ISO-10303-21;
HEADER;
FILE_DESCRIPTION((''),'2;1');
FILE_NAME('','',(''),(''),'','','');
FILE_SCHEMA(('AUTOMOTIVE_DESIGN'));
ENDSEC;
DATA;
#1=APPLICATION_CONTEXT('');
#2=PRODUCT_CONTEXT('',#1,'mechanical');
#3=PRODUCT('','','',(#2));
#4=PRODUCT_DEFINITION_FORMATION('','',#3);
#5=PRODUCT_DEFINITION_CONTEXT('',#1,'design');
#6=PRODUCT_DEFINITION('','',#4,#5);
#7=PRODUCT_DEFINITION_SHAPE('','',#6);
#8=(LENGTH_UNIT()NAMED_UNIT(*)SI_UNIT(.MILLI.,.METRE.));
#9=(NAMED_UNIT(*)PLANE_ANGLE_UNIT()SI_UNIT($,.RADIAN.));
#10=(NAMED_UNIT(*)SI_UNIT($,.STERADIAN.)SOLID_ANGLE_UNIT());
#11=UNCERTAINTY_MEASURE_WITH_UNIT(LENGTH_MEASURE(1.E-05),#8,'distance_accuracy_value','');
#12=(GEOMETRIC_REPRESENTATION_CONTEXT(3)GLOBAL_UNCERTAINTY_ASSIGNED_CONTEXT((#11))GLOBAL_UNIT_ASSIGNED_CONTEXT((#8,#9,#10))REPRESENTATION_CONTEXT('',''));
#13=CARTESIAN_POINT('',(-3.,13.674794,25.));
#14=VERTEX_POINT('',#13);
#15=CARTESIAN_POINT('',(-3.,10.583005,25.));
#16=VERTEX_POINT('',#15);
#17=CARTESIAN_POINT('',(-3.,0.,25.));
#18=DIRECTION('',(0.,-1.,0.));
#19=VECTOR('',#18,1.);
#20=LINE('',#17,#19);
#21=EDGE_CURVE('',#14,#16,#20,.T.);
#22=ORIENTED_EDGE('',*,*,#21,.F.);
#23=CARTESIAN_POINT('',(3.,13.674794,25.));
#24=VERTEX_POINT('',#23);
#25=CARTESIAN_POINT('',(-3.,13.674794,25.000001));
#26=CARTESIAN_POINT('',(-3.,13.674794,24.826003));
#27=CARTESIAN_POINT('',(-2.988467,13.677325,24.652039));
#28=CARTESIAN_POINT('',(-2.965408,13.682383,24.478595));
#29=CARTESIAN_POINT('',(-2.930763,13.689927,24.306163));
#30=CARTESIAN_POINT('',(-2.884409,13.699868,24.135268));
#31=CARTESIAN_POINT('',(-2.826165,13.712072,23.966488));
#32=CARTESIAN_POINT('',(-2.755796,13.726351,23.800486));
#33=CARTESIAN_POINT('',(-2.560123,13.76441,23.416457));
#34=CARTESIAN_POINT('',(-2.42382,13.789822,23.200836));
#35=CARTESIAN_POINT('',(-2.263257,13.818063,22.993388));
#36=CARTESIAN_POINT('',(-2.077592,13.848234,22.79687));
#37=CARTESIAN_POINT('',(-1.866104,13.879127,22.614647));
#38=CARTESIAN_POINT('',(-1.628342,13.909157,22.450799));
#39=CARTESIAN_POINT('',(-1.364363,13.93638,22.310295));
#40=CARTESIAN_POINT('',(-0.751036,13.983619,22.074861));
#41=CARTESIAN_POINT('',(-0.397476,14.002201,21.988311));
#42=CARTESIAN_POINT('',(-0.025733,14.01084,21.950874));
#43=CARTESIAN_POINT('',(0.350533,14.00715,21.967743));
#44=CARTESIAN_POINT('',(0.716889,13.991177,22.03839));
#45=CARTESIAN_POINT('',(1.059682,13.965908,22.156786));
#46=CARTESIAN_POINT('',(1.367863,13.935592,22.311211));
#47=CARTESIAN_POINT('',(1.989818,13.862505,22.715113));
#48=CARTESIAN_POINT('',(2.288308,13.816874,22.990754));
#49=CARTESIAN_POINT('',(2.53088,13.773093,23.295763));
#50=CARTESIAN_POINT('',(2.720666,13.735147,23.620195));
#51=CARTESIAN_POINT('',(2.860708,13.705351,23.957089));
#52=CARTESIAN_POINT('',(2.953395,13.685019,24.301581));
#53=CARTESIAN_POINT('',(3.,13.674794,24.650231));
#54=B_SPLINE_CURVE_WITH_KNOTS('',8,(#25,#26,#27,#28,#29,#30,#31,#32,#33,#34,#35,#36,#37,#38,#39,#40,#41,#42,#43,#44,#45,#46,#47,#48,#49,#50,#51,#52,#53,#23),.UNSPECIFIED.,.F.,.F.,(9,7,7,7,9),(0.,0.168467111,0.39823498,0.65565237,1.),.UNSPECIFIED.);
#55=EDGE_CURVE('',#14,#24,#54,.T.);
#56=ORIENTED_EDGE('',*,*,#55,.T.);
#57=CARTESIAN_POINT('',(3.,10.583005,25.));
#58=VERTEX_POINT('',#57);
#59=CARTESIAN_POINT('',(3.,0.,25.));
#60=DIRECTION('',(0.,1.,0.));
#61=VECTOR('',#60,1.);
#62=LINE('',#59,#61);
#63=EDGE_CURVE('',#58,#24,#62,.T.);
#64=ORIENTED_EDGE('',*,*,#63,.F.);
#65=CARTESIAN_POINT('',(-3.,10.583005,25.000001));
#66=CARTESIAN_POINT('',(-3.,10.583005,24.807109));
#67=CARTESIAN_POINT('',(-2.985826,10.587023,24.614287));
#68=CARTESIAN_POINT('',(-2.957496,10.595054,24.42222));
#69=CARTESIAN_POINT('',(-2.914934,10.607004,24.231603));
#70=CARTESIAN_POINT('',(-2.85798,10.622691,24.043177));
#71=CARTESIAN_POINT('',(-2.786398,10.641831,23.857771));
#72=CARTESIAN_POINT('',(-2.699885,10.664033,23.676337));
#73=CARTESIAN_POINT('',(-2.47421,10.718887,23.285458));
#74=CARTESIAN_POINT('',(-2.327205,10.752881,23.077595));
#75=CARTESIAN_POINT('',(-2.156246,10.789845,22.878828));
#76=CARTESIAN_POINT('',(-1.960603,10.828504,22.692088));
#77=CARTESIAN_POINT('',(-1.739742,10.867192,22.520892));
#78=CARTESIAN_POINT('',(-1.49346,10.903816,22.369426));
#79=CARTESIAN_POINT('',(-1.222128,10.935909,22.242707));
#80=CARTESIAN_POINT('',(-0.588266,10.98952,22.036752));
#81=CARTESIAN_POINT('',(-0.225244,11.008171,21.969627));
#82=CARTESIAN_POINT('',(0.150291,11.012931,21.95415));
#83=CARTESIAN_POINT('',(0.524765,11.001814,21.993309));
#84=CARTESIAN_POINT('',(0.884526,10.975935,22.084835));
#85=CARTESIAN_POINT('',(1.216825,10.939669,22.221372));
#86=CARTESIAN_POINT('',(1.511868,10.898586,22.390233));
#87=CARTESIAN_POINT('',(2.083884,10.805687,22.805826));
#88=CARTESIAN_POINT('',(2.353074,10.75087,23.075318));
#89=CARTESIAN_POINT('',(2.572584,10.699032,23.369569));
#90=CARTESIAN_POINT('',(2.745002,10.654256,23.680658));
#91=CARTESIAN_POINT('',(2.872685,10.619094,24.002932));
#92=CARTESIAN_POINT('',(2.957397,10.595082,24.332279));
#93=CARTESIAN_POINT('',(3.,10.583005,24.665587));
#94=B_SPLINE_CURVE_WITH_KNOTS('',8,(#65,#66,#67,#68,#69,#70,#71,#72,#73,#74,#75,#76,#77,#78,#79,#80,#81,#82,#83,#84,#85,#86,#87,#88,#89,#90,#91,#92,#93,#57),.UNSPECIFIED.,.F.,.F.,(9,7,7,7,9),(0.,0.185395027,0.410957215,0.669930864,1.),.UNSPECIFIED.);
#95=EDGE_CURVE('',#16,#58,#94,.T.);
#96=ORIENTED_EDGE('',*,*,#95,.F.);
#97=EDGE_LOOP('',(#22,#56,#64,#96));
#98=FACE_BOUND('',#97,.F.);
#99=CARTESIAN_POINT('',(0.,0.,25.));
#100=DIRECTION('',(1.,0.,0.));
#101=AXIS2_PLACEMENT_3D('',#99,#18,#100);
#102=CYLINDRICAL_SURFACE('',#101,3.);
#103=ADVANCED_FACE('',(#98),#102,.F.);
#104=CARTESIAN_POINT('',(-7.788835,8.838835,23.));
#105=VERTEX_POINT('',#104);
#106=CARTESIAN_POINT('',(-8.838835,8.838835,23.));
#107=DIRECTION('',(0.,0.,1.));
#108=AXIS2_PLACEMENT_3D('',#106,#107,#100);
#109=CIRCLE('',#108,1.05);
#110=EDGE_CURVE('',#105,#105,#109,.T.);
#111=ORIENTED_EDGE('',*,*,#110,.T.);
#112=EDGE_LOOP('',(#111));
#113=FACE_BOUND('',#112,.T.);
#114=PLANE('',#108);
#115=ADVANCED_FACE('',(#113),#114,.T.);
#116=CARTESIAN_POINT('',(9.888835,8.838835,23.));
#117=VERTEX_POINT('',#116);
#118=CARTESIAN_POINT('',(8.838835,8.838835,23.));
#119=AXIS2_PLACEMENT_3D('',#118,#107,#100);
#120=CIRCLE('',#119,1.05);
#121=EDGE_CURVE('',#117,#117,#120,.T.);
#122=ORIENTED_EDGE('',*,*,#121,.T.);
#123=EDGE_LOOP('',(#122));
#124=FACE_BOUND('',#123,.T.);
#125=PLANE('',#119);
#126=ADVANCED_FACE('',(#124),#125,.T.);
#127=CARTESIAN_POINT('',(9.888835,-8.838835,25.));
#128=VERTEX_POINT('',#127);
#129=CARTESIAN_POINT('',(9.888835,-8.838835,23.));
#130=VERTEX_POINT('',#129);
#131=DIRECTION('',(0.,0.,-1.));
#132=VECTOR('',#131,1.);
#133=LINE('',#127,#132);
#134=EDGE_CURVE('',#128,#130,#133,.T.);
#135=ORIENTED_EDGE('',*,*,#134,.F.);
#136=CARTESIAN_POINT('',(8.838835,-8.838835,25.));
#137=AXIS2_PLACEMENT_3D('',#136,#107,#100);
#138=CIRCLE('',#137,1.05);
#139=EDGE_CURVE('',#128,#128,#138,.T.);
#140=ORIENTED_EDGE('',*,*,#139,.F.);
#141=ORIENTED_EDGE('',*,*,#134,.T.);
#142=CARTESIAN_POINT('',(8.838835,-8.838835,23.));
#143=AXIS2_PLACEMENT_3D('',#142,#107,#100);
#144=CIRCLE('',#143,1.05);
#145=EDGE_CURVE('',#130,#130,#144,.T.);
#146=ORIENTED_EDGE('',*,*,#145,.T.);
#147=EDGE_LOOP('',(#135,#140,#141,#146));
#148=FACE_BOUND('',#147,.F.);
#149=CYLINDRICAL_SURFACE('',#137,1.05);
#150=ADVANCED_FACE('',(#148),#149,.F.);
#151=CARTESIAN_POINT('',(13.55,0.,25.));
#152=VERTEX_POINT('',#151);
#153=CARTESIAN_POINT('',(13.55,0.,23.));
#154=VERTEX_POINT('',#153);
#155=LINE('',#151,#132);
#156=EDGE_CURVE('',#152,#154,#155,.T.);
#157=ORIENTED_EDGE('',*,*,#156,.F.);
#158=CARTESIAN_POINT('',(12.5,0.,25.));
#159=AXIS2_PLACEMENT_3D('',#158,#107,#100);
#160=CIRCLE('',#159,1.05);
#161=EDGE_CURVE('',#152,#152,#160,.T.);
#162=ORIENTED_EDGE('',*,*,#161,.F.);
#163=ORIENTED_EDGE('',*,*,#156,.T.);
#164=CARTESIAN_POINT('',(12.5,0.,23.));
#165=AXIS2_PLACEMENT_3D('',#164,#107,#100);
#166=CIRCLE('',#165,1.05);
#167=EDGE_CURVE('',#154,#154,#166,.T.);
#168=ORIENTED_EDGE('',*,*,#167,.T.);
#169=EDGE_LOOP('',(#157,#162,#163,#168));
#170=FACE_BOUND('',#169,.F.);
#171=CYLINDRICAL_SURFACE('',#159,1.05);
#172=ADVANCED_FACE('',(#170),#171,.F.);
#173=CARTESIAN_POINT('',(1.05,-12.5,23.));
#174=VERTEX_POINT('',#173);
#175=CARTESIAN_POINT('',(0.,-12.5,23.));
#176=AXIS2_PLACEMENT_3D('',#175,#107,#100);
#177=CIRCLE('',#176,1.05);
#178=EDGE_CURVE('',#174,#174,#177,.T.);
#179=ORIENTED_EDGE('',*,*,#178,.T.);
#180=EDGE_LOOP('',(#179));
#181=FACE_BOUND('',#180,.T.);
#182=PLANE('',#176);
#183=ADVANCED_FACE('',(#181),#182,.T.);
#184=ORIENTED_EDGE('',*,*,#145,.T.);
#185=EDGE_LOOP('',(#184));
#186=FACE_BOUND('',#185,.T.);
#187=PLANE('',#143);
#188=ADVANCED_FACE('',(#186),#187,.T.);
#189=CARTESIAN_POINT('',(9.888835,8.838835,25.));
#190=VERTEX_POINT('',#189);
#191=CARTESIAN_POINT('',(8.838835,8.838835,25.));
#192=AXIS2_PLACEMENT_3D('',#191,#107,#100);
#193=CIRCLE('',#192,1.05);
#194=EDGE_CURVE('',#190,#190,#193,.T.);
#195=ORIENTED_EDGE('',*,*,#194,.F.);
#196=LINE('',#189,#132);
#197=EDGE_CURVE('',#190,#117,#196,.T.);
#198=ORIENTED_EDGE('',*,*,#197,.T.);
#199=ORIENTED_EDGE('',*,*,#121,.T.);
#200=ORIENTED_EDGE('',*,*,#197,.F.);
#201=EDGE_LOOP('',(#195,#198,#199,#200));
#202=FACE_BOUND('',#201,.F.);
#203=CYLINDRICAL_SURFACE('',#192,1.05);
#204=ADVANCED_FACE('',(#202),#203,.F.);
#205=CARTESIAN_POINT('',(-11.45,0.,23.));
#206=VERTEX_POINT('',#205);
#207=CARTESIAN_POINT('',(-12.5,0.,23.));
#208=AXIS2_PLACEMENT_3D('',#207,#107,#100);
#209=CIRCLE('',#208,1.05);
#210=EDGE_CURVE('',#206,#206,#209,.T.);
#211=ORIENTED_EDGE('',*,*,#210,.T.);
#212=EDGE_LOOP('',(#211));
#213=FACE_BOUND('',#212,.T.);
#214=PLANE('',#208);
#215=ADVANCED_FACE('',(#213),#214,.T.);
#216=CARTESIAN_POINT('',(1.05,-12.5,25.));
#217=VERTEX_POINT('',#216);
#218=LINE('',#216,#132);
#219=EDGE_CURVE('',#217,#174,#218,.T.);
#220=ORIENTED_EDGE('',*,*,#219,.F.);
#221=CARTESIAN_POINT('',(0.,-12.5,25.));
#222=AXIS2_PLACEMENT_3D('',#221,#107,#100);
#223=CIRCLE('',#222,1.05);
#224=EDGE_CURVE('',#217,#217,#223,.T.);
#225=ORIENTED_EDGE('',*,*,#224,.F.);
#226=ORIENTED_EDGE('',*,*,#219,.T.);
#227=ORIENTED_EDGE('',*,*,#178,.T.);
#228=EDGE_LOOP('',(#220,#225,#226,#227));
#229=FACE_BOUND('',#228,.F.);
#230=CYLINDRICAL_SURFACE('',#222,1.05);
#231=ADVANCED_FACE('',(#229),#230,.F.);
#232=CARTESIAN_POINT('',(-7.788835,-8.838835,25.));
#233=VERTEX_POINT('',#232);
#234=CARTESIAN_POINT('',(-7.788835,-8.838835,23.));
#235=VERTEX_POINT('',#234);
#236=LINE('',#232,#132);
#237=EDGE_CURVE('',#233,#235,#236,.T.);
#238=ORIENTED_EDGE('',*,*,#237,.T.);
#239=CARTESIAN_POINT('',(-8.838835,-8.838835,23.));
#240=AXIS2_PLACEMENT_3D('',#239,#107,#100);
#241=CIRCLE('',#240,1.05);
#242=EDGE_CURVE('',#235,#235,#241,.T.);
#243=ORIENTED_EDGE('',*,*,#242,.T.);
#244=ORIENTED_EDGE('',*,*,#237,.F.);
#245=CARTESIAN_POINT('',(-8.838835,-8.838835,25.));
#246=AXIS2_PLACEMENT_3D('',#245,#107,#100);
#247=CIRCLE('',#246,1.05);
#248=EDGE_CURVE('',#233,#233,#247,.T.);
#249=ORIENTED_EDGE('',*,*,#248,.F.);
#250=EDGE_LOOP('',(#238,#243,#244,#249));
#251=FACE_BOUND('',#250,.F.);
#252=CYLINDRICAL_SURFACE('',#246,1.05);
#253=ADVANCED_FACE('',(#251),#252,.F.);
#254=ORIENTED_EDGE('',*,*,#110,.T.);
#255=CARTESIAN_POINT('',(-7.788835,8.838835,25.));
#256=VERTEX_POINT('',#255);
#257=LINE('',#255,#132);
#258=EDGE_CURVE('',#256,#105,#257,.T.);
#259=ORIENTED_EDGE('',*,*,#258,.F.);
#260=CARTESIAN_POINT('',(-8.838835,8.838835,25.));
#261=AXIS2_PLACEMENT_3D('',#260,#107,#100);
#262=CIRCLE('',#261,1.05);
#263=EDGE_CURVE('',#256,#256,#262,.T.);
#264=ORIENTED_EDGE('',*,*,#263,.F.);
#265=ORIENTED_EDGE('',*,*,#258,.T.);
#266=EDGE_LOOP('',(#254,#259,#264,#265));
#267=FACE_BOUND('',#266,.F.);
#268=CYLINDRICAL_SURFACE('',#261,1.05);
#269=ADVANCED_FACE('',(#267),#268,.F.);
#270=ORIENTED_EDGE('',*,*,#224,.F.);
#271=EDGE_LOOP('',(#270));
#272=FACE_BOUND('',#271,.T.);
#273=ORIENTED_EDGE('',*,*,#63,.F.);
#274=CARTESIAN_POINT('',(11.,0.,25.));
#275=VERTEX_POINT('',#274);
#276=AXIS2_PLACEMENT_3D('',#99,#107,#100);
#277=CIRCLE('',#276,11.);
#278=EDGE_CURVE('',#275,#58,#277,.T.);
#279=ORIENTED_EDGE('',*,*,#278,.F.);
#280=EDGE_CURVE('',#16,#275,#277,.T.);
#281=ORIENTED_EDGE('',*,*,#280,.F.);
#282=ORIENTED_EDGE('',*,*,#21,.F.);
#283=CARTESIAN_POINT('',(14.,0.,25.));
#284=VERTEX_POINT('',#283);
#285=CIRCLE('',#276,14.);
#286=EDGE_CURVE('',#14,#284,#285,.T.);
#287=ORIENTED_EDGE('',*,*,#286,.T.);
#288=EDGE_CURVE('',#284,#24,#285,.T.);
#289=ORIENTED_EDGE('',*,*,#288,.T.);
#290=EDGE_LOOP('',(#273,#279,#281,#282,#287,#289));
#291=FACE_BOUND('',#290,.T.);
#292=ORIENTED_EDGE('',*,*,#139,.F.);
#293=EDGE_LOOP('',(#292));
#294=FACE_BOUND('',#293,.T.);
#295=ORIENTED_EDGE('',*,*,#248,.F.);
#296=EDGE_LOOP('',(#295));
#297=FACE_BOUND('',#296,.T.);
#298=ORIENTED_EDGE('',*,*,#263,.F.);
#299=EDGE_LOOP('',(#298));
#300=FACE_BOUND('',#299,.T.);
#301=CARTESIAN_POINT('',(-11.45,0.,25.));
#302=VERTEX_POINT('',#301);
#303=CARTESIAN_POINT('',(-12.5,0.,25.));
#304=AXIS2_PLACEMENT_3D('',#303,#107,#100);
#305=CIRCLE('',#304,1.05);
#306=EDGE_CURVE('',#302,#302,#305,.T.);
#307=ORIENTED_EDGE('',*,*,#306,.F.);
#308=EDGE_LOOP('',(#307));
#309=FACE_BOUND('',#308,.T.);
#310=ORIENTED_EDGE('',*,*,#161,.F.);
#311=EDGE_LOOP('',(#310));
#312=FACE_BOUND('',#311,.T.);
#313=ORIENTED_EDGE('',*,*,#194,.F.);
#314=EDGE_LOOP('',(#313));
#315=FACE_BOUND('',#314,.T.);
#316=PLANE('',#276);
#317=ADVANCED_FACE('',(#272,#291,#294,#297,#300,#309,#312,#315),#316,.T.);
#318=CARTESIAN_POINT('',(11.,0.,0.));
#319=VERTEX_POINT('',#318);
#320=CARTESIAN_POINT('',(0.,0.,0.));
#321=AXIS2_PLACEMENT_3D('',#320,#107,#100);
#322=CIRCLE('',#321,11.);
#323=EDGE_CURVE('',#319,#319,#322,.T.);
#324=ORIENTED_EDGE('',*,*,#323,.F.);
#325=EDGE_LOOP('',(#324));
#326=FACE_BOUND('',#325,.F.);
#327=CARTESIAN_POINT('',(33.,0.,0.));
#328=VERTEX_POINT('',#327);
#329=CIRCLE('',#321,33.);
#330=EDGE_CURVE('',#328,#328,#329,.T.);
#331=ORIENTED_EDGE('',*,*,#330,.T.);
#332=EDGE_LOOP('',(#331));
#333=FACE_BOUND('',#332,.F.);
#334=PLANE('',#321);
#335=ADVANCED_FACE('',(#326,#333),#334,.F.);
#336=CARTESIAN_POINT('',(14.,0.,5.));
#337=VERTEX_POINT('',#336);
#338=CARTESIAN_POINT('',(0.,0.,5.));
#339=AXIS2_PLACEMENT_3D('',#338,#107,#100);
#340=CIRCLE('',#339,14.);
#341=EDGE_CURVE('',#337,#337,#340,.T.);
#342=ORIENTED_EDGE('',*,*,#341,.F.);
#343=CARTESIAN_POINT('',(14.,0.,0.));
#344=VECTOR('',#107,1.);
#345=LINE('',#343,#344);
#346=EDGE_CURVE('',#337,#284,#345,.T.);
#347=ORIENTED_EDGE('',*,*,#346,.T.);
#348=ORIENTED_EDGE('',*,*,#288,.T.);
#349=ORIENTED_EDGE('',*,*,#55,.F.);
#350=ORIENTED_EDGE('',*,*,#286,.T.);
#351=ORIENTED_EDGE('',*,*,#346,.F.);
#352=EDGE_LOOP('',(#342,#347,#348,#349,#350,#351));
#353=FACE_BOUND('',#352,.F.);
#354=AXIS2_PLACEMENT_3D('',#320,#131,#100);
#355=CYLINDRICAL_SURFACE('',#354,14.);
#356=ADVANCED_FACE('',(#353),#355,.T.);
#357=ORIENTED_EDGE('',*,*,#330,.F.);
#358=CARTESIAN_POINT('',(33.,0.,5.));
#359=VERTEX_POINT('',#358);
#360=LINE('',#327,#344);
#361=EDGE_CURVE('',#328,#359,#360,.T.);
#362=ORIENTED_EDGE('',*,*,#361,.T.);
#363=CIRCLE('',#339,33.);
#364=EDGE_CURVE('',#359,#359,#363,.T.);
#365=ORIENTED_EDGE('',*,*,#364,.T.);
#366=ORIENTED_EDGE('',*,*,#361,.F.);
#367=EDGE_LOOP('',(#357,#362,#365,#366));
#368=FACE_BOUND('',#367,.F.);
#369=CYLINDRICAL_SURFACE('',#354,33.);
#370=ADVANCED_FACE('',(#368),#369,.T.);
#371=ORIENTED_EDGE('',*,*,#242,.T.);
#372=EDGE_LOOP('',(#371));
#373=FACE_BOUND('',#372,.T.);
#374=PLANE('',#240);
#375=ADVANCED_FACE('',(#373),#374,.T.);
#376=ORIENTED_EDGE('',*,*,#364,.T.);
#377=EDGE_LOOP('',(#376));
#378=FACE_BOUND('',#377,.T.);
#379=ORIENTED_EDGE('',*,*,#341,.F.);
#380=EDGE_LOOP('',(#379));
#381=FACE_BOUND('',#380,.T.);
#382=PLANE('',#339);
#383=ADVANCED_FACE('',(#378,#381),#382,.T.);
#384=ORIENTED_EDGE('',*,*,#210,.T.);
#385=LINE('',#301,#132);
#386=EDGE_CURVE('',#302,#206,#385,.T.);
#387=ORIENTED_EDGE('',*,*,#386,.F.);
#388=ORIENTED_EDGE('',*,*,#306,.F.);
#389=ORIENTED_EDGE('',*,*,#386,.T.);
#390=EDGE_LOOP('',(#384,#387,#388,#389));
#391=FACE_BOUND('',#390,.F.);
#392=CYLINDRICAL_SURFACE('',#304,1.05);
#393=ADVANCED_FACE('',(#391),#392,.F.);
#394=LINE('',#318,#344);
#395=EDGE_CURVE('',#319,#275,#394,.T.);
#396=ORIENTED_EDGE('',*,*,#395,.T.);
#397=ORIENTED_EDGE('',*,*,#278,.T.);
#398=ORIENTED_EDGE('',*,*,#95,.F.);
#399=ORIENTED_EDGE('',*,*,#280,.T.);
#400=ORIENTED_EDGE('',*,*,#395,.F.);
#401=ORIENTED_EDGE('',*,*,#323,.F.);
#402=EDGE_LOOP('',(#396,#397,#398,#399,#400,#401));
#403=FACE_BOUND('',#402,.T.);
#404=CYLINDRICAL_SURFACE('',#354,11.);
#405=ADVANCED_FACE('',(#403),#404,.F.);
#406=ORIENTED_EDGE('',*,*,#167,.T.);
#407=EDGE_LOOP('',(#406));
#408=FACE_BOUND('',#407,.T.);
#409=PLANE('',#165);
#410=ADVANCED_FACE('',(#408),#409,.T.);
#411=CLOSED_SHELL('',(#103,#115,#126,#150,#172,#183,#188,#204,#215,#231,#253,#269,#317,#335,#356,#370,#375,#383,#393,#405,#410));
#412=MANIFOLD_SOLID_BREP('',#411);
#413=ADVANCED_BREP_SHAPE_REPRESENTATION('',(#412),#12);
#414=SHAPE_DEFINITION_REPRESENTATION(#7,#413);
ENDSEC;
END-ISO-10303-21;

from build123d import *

# Parameters (mm, degrees)
F0_R     = 14
F0_R_2   = 11
F1_DEPTH = 25
F0_R_3   = 33
F2_DEPTH = 5
F3_R     = 3
F4_DEPTH = 25
F6_R     = 1.05
F7_DEPTH = 2


with BuildPart() as f1:
    # F0 (on Top) → F1 (new body)
    with BuildSketch(Plane.XY):
        Circle(F0_R)
        Circle(F0_R_2, mode=Mode.SUBTRACT)
    extrude(amount=F1_DEPTH)

    # F0 (on Top) → F2 (join)
    with BuildSketch(Plane.XY):
        Circle(F0_R_3)
        Circle(F0_R, mode=Mode.SUBTRACT)
    extrude(amount=F2_DEPTH)

    # F3 (on Front) → F4 (cut)
    with BuildSketch(Plane.XZ):
        with Locations((0, 25)):
            Circle(F3_R)
    extrude(amount=-F4_DEPTH, mode=Mode.SUBTRACT)

    # F6 (on offset) → F7 (cut)
    with BuildSketch(Plane.XY.offset(25)):
        with Locations((-8.8388347648, 8.8388347648)):
            Circle(F6_R)
        with Locations((8.8388347648, 8.8388347648)):
            Circle(F6_R)
        with Locations((12.5, 0)):
            Circle(F6_R)
        with Locations((8.8388347648, -8.8388347648)):
            Circle(F6_R)
        with Locations((0, -12.5)):
            Circle(F6_R)
        with Locations((-8.8388347648, -8.8388347648)):
            Circle(F6_R)
        with Locations((-12.5, 0)):
            Circle(F6_R)
    extrude(amount=-F7_DEPTH, mode=Mode.SUBTRACT)


solid = f1.part
